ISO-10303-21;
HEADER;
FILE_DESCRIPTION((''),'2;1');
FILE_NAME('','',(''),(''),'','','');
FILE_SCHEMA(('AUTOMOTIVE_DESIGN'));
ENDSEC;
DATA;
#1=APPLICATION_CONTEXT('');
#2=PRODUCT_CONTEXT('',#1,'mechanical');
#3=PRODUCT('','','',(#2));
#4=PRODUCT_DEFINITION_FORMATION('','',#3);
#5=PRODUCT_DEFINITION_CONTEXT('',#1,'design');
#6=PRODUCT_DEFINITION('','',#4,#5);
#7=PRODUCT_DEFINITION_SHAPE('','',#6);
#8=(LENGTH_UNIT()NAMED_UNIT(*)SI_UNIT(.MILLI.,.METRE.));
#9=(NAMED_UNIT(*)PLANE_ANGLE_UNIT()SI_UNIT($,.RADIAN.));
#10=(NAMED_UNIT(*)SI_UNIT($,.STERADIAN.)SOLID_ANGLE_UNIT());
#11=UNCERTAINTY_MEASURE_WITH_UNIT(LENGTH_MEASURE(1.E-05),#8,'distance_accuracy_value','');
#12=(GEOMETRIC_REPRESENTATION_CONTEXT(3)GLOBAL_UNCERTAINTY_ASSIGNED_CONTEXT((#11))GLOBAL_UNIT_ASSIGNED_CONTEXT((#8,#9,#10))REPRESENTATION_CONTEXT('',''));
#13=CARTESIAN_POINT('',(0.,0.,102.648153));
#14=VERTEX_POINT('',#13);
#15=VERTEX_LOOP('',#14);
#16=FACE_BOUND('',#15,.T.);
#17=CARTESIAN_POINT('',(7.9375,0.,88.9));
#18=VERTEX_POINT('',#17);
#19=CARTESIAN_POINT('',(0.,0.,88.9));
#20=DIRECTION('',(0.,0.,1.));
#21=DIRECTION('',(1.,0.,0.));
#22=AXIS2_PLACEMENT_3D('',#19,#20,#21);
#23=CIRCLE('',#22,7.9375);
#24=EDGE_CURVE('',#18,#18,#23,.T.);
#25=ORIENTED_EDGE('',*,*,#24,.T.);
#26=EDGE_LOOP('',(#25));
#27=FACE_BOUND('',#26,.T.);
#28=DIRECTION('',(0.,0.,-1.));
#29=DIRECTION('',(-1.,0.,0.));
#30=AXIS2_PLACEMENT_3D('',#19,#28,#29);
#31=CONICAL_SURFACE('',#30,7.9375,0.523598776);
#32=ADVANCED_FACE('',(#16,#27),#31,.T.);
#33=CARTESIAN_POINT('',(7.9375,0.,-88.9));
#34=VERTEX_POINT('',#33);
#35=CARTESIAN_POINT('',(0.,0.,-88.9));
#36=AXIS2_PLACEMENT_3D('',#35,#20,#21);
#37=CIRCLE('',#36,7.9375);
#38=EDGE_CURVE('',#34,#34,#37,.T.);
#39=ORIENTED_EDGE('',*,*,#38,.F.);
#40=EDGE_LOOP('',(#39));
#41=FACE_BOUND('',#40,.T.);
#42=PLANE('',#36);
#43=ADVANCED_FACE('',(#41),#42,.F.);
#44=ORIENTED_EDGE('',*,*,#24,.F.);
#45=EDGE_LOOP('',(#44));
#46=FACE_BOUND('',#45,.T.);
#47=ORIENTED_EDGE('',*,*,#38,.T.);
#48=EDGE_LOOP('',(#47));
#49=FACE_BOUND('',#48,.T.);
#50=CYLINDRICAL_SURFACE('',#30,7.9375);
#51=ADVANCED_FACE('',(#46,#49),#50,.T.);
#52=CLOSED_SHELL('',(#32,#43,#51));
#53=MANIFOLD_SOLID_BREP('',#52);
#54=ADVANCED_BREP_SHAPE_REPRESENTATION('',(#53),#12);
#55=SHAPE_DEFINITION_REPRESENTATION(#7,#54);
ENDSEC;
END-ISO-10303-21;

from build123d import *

# Parameters (mm, degrees)
SKETCH1_R           = 7.9375
BOSS_EXTRUDE1_DEPTH = 88.9


with BuildPart() as part:
    # Sketch1 → Boss-Extrude1 (new, symmetric)
    with BuildSketch(Plane.XY):
        Circle(SKETCH1_R)
    extrude(amount=BOSS_EXTRUDE1_DEPTH, both=True)

    # Sketch3 → Revolve2 (revolve)
    with BuildSketch(Plane(origin=(0, 0, 0), x_dir=(0, 0, -1), z_dir=(1, 0, 0)), mode=Mode.PRIVATE) as revolve2_sk:
        Polygon((-88.9, 7.9375), (-102.648153285, 0), (-88.9, 0), align=None)
    revolve(revolve2_sk.sketch.rotate(Axis((0, 0, 0), (0, 0, 1)), 90), axis=Axis((0, 0, 0), (0, 0, 1)))


solid = part.part
